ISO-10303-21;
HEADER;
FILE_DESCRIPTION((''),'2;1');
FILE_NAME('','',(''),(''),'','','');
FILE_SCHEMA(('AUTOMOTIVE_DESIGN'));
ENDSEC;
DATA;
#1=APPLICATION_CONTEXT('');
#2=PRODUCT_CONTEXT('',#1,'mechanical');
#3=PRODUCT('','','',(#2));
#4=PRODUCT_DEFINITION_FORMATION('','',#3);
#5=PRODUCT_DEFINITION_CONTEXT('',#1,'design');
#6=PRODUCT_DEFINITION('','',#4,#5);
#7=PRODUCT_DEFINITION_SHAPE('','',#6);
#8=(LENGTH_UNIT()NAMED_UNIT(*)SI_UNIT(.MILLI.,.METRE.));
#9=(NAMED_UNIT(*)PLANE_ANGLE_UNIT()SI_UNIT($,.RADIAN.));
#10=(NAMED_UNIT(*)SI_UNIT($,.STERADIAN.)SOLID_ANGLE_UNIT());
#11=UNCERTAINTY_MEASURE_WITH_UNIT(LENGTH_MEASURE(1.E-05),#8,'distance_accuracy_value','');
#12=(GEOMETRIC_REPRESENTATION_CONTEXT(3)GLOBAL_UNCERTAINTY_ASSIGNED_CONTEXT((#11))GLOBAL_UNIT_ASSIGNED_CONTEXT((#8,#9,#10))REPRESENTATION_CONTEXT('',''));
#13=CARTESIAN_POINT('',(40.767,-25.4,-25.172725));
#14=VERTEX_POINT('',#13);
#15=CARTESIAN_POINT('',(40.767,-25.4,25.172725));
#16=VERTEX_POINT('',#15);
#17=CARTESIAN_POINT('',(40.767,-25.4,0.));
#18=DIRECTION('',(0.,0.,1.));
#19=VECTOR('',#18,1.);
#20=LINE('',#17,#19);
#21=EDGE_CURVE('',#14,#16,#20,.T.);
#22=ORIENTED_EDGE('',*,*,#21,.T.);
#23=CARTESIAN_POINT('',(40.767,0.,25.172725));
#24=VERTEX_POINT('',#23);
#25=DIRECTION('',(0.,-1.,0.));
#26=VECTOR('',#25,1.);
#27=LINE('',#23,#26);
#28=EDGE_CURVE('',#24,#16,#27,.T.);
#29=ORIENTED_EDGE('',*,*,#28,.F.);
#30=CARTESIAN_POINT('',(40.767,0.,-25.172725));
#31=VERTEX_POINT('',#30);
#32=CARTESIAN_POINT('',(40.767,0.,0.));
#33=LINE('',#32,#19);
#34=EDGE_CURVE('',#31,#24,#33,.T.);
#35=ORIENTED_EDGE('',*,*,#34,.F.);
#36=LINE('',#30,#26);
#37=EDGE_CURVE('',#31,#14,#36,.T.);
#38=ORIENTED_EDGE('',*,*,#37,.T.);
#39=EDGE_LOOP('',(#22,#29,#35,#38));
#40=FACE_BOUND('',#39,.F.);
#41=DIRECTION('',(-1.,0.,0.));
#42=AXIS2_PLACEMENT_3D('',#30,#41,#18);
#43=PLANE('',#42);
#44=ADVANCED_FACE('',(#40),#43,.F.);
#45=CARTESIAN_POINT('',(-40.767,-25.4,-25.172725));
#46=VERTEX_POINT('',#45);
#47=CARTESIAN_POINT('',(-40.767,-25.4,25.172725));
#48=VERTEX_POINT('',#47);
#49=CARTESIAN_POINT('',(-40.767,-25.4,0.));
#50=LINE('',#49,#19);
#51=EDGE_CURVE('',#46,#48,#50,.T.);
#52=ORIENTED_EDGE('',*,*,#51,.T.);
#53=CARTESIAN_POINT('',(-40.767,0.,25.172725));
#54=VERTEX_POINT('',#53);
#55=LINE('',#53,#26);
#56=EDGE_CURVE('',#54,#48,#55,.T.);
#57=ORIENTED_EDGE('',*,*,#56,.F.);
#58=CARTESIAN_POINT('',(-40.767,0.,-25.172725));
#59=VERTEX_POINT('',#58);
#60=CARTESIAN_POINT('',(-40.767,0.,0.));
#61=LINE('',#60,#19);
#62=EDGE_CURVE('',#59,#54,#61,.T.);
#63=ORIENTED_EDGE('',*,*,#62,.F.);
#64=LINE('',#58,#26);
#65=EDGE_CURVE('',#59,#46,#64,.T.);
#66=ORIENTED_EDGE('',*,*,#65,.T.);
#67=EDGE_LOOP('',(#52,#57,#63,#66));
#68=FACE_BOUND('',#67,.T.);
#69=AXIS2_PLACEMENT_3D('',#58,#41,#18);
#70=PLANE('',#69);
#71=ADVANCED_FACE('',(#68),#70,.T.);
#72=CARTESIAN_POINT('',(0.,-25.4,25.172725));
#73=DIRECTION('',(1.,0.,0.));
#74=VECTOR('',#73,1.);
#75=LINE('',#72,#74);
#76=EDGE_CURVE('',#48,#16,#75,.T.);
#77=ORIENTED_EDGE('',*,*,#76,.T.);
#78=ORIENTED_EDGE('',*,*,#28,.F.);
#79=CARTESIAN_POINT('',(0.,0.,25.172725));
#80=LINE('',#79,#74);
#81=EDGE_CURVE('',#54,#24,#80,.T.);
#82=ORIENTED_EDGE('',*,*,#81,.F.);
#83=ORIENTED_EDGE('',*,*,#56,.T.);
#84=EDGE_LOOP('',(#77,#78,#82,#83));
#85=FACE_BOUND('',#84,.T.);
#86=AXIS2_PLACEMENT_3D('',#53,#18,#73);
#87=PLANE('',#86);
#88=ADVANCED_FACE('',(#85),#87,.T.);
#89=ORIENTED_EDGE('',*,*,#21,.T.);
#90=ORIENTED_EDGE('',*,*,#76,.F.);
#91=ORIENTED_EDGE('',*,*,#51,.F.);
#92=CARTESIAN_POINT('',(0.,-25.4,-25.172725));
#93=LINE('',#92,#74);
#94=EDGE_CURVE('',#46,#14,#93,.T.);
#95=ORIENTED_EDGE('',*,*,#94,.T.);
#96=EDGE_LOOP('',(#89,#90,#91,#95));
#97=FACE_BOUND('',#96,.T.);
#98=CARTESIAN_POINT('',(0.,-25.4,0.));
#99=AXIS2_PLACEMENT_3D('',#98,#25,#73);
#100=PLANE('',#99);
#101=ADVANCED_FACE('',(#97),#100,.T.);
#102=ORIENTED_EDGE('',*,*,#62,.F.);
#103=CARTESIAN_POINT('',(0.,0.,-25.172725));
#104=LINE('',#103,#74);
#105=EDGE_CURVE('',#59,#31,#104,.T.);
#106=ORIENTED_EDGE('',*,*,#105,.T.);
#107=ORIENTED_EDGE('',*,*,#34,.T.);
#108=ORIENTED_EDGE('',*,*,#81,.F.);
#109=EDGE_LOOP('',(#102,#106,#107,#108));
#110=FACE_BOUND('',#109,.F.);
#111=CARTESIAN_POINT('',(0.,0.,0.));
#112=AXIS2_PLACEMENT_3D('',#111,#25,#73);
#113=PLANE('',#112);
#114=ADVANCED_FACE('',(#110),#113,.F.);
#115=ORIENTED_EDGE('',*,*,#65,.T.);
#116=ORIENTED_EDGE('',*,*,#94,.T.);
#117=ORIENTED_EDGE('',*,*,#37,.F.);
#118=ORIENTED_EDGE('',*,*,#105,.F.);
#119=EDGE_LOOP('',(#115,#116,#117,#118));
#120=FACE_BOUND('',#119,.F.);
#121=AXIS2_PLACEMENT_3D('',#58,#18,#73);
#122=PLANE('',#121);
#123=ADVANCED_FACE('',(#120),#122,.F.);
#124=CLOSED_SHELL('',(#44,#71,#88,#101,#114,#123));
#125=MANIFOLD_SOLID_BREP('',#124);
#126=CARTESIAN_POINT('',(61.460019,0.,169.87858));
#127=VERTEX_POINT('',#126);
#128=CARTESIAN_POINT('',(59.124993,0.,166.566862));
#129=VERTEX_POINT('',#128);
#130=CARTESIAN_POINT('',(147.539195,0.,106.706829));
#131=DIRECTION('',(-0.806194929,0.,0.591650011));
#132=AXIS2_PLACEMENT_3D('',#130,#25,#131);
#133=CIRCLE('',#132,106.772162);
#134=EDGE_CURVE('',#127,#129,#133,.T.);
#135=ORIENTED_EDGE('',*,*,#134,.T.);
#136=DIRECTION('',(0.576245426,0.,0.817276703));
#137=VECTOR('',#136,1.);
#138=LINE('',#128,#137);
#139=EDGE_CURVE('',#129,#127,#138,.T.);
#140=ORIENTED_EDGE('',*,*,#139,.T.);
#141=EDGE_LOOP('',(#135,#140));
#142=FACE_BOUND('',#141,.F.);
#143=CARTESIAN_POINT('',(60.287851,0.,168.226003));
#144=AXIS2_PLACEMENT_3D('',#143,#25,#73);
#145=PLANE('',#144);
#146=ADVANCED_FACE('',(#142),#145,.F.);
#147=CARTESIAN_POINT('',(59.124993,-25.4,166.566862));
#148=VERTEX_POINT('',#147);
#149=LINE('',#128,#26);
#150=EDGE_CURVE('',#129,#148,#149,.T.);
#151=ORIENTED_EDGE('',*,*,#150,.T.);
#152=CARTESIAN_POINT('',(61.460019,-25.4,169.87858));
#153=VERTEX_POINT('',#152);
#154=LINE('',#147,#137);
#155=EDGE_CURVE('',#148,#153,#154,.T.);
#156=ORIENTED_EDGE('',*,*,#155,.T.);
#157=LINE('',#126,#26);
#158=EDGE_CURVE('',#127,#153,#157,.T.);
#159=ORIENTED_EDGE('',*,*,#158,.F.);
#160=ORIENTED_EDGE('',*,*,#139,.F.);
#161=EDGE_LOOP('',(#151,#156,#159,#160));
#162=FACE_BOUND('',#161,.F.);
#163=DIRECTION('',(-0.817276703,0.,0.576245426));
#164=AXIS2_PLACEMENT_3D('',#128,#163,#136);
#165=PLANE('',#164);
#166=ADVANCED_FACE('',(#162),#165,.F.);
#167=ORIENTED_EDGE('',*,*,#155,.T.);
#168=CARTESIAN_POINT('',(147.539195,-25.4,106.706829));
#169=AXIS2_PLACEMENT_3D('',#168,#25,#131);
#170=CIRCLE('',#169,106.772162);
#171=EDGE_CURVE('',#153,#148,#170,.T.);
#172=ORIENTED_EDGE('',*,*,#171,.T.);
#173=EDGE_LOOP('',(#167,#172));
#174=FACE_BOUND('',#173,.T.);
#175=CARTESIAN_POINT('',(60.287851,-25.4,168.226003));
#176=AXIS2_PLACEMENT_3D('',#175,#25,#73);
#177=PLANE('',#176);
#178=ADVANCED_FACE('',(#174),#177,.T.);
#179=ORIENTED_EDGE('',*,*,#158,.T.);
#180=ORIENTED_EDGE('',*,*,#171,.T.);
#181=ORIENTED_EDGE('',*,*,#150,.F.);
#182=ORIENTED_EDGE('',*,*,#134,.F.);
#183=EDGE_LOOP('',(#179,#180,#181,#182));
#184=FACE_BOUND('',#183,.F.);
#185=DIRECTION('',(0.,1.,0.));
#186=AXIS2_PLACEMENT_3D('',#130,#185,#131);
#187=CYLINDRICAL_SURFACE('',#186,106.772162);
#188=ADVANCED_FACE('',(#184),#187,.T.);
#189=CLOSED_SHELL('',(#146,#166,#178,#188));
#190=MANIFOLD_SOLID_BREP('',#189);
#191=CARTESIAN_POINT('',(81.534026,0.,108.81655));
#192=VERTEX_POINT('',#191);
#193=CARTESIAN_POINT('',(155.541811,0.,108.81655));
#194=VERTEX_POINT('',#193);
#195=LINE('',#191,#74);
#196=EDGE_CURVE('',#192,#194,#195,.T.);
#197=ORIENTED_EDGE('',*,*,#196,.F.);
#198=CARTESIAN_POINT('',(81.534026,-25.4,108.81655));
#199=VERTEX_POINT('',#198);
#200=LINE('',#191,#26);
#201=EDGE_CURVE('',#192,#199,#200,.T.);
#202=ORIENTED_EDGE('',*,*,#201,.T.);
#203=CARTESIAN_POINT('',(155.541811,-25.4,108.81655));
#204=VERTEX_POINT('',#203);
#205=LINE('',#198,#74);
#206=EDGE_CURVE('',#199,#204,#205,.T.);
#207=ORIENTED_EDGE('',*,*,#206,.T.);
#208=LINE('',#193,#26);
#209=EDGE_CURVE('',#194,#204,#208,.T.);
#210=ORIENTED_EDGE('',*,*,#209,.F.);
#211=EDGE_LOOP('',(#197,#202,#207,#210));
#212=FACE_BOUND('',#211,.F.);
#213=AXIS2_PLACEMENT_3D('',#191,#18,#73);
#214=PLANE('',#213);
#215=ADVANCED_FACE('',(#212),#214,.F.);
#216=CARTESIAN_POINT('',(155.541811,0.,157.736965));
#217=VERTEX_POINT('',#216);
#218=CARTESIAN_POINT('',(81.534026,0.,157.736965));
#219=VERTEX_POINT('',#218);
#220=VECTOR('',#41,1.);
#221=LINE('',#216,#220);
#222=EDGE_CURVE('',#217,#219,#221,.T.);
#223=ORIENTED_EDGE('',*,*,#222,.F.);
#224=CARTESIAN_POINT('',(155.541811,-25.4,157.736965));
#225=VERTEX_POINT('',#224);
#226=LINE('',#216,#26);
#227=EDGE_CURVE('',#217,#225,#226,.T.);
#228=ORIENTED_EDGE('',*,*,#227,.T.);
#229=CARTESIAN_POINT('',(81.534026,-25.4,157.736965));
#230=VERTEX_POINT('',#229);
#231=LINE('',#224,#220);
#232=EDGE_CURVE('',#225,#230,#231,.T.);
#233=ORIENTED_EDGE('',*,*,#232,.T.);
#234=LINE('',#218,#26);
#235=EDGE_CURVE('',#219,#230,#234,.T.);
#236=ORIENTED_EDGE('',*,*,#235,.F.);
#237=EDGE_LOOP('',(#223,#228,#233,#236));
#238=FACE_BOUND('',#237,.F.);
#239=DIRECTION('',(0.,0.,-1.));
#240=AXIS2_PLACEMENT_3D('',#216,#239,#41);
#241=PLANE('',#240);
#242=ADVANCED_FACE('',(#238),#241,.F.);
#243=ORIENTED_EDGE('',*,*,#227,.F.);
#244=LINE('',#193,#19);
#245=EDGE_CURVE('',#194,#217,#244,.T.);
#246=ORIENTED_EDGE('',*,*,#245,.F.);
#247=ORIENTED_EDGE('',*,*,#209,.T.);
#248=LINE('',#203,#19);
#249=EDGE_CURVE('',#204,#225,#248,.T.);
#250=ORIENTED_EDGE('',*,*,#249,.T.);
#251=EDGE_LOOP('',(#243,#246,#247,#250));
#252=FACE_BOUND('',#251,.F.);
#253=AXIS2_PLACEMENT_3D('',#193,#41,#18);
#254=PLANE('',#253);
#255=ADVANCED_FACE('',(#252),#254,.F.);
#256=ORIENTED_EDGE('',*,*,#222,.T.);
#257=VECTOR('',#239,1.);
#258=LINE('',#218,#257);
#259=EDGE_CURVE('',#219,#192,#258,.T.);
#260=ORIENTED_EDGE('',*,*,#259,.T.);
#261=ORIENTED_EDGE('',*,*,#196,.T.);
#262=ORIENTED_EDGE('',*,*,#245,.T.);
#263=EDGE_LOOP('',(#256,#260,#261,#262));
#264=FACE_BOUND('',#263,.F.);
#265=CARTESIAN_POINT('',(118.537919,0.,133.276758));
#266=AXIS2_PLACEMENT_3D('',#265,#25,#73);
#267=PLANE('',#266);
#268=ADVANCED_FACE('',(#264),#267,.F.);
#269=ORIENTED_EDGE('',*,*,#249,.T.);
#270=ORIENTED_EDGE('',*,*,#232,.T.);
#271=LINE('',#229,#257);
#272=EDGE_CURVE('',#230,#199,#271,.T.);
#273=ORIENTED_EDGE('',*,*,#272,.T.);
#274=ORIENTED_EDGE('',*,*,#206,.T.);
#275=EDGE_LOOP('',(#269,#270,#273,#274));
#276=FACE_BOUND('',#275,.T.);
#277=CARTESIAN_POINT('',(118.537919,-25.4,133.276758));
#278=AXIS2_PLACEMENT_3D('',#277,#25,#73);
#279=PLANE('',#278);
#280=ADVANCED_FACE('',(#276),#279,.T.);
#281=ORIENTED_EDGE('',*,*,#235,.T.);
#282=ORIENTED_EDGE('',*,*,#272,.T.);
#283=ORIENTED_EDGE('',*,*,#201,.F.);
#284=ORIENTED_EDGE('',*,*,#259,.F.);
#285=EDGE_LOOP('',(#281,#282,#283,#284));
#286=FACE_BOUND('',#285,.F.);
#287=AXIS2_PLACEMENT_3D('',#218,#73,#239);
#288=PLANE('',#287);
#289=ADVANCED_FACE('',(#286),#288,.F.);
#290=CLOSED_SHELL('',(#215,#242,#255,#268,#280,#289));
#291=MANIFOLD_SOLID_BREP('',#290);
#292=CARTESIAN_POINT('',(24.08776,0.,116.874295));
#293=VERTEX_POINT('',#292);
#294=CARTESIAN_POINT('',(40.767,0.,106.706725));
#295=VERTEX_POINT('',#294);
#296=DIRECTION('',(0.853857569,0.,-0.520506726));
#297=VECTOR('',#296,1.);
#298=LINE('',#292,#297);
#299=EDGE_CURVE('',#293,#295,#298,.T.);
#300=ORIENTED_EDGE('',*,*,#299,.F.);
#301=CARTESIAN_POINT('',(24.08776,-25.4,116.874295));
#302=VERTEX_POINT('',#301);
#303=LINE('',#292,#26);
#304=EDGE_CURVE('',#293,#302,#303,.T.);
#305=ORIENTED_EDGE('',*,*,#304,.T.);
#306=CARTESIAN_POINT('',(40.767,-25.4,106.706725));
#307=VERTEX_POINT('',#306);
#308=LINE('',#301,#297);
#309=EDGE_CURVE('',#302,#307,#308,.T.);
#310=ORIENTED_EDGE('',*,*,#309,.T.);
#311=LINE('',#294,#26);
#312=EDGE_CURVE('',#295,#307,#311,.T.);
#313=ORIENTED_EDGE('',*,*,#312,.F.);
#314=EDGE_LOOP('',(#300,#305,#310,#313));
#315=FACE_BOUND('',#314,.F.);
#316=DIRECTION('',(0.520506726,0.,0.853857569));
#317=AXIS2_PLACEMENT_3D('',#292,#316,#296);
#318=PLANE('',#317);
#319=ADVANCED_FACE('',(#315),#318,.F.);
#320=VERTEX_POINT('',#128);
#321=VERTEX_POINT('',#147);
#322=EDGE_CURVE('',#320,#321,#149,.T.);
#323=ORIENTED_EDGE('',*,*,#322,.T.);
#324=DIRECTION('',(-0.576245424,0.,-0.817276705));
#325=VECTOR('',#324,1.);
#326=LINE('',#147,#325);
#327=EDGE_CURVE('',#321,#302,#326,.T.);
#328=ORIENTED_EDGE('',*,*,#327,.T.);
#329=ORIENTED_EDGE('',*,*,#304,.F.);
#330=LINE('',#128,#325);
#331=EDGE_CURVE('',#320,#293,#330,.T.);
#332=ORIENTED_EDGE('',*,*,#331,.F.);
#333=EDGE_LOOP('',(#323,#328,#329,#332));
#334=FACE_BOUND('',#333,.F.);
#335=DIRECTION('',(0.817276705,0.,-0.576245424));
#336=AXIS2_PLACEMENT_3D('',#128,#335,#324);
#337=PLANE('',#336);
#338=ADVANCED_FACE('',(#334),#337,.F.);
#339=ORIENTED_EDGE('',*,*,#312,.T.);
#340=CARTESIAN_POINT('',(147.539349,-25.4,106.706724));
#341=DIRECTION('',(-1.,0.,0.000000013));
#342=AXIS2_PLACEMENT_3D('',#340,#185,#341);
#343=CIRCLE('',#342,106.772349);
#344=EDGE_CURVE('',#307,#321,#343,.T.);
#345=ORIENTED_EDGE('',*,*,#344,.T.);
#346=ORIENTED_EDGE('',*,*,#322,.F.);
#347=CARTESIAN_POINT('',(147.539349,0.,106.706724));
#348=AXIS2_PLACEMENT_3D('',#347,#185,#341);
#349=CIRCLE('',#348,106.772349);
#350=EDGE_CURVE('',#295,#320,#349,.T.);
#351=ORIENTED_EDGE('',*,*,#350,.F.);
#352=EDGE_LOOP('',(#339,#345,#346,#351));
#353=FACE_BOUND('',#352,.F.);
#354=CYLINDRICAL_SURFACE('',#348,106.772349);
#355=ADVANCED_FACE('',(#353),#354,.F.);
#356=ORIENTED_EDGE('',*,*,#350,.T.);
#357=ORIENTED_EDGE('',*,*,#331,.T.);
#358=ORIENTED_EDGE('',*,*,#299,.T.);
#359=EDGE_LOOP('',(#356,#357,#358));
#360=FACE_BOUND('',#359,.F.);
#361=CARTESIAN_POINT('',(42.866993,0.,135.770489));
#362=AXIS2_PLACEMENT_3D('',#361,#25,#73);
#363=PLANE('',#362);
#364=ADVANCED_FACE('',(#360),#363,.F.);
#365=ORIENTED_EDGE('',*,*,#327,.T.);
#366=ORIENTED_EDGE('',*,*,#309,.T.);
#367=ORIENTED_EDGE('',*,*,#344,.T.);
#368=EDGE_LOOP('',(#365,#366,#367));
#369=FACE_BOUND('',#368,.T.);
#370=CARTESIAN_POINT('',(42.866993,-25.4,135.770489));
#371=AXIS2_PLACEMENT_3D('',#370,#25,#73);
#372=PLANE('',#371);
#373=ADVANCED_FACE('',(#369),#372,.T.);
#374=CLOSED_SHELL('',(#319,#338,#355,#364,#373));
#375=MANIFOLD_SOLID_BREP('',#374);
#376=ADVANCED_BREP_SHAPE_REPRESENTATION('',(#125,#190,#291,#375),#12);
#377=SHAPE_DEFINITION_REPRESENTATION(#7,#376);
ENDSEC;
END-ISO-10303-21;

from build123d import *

# Parameters (mm, degrees)
F0_W     = 81.534
F0_H     = 50.34545
F1_DEPTH = 25.4


with BuildPart() as f1:
    # F0 (on Front) → F1 (new body)
    with BuildSketch(Plane.XZ):
        Polygon((155.541811, 157.736965), (86.099056, 157.736965), (81.534026, 157.736965), (81.534026, 108.81655), (155.541811, 108.81655), align=None)
        with BuildLine():
            ThreePointArc((61.460019, 169.87858), (60.276794, 168.233799), (59.124993, 166.566862))
            Line((59.124993, 166.566862), (61.460019, 169.87858))
        make_face()
        with BuildLine():
            Line((24.08776, 116.874295), (40.767, 106.706725))
            ThreePointArc((40.767, 106.706725), (45.459618, 138.012682), (59.124993, 166.566862))
            Line((59.124993, 166.566862), (24.08776, 116.874295))
        make_face()
        Rectangle(F0_W, F0_H)
    extrude(amount=F1_DEPTH)


solid = f1.part
